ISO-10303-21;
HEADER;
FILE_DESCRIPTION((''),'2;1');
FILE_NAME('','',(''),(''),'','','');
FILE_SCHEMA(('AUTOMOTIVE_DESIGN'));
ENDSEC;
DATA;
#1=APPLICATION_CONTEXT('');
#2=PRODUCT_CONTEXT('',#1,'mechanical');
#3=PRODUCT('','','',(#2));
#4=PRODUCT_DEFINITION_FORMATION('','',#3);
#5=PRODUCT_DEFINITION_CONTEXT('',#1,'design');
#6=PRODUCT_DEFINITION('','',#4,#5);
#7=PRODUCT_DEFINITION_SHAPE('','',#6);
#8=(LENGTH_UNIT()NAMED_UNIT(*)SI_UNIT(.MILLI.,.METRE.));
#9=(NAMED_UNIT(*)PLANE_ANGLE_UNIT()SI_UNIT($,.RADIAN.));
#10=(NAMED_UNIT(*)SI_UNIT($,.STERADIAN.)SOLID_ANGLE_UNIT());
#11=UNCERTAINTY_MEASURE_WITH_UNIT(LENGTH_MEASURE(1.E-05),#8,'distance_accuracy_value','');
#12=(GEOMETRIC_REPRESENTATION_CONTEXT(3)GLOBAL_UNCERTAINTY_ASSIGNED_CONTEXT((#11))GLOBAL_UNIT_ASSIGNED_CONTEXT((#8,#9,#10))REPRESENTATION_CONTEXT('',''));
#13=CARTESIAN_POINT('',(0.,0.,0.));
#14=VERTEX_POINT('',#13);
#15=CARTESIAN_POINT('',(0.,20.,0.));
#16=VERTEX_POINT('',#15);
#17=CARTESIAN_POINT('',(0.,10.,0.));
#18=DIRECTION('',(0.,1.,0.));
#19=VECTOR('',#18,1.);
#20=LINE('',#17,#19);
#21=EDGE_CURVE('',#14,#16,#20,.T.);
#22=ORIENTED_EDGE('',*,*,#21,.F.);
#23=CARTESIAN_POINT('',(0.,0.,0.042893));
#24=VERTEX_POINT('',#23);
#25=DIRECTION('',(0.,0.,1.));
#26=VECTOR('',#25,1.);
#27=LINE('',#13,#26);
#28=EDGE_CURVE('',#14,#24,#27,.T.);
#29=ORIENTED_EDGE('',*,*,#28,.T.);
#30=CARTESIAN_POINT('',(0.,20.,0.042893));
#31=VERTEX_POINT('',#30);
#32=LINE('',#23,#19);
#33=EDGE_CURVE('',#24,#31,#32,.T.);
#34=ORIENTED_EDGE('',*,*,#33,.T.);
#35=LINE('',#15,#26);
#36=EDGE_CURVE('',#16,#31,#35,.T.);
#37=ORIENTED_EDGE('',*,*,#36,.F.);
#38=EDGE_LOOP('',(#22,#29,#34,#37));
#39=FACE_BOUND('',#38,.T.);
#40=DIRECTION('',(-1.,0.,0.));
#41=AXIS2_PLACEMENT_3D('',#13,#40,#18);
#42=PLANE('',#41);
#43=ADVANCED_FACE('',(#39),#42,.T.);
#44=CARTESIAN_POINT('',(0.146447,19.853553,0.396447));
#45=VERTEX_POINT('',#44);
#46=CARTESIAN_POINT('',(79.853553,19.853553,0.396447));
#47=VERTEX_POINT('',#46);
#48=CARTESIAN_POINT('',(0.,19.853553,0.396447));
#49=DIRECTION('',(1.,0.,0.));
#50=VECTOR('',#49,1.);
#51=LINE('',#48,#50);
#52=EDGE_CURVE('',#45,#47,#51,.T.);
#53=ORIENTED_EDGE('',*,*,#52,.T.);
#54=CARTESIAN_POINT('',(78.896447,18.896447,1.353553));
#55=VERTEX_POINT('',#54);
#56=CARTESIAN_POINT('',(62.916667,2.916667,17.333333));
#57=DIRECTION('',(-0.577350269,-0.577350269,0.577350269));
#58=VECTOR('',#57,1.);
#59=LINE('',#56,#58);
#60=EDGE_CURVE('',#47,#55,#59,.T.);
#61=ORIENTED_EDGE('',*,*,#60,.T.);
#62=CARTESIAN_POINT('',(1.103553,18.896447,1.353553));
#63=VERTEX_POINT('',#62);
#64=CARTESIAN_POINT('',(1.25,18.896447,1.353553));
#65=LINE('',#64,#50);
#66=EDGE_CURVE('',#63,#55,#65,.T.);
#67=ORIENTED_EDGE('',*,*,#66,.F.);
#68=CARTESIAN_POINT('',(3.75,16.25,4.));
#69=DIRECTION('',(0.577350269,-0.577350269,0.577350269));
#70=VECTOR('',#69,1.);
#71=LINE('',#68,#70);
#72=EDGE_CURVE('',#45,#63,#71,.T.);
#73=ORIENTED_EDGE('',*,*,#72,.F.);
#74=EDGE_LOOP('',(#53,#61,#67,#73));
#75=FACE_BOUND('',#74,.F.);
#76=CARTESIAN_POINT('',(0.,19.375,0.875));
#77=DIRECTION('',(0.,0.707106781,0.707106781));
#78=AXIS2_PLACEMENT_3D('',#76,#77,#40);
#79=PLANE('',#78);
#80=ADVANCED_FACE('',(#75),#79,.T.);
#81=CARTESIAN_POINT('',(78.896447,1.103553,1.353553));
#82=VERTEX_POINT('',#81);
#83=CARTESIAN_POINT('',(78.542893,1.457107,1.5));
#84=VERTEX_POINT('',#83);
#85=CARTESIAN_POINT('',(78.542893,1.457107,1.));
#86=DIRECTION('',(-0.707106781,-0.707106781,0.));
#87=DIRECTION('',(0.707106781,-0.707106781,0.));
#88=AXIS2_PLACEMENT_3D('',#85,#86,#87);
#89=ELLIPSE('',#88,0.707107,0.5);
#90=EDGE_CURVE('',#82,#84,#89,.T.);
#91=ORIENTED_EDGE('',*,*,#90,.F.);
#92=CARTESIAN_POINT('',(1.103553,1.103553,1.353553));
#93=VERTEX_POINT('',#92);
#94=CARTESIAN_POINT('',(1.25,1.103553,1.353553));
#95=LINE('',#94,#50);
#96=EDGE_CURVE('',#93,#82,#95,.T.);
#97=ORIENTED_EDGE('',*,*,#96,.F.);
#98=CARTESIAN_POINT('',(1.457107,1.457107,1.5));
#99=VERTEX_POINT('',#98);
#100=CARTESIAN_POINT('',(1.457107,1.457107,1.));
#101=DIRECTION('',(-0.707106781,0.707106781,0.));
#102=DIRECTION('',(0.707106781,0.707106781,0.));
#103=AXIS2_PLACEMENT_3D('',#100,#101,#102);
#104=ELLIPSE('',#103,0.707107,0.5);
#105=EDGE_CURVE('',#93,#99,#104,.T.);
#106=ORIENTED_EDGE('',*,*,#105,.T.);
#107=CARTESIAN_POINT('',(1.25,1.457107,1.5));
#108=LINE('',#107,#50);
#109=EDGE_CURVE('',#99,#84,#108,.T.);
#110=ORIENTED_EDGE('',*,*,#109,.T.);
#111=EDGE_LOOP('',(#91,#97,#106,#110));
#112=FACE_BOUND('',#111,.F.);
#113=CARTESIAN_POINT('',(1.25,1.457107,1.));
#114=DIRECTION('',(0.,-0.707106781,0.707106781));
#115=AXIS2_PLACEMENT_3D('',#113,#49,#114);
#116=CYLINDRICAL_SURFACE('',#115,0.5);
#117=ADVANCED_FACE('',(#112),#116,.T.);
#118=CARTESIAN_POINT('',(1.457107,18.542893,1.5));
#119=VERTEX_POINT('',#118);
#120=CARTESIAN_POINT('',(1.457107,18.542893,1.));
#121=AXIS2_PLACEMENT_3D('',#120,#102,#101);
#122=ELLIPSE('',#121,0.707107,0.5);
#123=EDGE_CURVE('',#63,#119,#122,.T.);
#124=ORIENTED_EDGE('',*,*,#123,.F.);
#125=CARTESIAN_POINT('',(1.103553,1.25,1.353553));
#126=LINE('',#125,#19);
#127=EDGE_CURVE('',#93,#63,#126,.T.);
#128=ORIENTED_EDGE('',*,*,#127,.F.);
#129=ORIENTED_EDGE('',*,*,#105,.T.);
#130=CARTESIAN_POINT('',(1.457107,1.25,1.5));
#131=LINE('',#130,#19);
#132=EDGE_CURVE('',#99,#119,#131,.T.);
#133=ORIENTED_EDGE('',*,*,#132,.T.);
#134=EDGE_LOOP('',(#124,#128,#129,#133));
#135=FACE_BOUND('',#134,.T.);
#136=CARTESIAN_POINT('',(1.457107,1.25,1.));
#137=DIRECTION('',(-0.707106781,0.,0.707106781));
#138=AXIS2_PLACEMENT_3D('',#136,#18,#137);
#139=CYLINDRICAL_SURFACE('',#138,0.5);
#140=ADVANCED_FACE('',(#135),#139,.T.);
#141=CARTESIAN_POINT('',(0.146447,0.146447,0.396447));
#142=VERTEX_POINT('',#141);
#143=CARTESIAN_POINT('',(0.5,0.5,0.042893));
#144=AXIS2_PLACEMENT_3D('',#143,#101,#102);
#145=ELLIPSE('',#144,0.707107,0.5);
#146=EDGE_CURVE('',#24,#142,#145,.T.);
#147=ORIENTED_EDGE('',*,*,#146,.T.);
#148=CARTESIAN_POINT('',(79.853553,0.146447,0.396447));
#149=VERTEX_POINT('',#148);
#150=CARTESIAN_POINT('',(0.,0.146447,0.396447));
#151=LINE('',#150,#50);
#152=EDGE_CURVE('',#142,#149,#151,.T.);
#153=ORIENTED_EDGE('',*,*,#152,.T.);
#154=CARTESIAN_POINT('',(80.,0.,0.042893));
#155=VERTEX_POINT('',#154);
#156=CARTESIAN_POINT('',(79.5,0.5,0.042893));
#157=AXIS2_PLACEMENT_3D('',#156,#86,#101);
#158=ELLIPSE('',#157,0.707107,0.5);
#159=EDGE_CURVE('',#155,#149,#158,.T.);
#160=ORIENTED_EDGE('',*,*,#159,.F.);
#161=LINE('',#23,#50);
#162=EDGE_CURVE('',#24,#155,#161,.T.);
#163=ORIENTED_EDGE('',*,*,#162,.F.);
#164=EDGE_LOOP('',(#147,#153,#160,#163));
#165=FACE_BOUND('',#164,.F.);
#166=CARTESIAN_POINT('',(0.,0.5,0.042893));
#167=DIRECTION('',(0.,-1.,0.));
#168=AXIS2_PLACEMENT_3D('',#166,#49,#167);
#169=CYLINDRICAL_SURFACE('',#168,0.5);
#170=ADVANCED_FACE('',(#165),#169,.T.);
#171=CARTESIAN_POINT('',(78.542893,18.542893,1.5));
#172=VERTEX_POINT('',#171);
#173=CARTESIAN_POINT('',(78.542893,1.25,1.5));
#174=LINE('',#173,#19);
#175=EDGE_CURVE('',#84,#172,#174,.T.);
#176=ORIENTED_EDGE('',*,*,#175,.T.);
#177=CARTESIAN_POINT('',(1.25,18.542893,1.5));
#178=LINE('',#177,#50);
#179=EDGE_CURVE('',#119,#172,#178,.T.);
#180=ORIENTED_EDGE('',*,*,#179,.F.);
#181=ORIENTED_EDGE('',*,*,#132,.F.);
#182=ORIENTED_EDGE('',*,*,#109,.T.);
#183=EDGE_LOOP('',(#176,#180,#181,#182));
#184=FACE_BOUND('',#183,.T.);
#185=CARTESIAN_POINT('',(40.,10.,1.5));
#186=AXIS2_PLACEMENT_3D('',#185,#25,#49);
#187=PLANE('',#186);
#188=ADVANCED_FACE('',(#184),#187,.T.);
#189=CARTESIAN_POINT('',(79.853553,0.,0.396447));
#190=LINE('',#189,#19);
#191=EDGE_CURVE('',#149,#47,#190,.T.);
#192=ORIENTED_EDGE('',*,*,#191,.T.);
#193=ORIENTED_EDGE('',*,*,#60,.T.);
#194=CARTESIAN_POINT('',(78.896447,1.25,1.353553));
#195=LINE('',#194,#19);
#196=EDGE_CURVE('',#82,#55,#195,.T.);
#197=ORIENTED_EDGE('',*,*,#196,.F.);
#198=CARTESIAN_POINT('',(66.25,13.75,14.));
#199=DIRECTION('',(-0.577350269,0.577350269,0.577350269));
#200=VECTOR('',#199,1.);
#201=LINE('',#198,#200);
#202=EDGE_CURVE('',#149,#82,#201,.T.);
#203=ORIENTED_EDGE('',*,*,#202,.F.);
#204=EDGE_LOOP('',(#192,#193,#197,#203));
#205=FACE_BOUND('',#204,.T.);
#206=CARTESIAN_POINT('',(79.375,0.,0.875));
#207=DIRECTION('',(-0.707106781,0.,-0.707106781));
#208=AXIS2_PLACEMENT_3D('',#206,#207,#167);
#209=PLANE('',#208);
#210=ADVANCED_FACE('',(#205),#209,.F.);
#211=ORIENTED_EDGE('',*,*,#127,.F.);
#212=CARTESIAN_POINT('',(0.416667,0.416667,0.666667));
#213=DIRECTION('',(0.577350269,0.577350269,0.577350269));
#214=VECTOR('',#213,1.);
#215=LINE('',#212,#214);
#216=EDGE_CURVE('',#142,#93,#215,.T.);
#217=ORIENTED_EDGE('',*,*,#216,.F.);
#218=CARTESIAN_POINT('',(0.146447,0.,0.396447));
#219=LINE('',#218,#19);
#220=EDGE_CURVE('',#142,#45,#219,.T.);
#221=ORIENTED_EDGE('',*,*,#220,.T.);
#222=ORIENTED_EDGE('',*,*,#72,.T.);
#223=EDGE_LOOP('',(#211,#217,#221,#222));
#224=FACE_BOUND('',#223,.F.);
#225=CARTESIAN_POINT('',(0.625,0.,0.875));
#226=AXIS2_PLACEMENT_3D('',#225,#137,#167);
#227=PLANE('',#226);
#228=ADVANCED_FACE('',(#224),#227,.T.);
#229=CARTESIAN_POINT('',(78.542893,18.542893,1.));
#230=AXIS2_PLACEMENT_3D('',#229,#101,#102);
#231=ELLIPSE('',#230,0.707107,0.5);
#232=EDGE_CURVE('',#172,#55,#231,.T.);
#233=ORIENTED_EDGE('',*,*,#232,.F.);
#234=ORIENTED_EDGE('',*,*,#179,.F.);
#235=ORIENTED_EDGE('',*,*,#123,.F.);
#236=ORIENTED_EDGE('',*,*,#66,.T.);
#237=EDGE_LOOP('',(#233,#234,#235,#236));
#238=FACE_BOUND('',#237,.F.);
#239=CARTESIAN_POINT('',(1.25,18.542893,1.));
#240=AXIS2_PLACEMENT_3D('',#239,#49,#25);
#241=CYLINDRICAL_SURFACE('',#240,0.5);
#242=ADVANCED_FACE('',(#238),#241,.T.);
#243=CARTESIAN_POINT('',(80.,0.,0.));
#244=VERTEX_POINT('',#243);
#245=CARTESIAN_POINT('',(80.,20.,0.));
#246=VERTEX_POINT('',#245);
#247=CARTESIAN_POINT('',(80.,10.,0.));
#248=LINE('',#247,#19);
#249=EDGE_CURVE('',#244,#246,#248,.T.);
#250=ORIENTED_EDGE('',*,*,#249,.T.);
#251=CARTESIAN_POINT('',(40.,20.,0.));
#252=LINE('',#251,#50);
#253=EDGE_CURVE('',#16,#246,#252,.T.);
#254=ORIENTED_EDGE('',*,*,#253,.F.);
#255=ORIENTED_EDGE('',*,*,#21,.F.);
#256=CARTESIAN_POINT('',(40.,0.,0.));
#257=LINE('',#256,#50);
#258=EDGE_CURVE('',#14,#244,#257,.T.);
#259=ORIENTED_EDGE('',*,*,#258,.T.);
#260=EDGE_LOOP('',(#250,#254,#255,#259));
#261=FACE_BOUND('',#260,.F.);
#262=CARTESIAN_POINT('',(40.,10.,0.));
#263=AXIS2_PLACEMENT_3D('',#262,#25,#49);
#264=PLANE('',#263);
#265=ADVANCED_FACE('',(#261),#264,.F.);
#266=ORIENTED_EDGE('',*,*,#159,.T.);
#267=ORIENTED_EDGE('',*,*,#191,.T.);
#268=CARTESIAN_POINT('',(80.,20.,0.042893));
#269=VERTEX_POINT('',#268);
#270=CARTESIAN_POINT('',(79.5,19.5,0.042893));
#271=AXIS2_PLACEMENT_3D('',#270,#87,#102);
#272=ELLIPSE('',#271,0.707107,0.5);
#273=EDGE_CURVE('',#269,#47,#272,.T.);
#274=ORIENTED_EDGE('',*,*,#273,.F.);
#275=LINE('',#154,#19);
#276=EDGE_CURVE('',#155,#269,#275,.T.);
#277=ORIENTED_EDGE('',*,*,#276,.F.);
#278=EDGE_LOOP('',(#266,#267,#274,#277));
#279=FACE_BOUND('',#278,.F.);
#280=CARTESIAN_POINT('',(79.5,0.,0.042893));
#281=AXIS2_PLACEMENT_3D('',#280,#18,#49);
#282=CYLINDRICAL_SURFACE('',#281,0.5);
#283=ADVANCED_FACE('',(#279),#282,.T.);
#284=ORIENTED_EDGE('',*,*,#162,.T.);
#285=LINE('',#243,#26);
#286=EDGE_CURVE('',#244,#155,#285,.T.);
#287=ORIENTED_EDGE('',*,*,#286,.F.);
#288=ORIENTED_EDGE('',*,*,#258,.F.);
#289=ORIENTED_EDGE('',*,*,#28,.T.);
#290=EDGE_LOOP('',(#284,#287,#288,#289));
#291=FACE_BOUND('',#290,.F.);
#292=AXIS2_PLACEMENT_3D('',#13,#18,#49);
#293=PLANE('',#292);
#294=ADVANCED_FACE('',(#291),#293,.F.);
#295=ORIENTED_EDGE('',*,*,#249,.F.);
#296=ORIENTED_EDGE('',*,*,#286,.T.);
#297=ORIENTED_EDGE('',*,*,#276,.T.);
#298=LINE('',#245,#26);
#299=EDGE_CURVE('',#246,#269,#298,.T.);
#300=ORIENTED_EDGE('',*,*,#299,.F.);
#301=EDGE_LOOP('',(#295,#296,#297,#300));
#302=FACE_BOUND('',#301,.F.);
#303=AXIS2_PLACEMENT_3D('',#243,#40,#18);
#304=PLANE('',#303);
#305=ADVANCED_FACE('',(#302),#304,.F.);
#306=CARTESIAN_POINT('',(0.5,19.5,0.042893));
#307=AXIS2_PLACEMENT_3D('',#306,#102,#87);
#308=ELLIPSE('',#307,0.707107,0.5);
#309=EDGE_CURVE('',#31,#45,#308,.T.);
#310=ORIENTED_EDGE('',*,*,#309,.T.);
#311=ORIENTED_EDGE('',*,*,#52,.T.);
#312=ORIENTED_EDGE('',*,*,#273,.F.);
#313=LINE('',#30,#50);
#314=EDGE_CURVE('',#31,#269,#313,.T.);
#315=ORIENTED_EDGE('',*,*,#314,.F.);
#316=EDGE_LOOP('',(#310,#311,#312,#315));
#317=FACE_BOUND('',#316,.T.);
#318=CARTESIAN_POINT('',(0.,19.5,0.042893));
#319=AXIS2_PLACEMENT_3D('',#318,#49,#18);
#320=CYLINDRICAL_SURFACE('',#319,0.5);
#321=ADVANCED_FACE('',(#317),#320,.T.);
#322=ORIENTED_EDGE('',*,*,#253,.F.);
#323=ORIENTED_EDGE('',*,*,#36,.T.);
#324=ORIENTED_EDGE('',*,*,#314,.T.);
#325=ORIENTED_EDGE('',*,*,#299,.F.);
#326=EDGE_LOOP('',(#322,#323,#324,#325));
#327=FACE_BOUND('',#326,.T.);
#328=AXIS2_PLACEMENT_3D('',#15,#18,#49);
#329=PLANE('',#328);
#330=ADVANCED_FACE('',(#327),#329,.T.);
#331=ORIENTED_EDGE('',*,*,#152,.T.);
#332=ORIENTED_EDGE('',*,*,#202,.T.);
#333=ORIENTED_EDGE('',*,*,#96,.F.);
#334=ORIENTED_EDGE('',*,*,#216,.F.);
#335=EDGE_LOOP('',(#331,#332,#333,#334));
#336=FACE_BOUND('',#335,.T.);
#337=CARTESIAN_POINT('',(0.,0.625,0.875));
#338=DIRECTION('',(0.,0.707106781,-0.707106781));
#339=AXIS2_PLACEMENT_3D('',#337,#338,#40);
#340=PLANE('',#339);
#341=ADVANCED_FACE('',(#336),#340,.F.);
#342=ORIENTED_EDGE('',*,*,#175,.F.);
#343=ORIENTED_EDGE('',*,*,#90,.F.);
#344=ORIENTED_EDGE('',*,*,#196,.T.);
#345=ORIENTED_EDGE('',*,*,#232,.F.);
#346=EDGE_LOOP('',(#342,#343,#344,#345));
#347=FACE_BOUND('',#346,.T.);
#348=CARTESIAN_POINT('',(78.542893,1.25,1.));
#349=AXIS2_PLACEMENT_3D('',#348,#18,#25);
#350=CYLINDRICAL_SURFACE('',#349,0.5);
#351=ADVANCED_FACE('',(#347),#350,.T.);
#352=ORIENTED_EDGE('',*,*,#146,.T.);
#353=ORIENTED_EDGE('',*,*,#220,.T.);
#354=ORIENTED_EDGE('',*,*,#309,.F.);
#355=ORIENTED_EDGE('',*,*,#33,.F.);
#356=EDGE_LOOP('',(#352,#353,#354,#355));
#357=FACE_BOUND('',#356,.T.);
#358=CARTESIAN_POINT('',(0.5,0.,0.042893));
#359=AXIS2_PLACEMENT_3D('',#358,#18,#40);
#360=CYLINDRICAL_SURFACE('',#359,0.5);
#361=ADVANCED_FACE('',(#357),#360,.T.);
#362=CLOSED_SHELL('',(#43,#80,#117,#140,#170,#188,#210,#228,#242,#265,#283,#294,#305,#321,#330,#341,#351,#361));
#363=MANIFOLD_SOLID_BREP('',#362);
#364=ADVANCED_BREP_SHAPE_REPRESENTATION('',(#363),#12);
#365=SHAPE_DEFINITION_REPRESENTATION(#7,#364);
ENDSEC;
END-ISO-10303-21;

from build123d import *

# Parameters (mm, degrees)
F0_W     = 80
F0_H     = 20
F1_DEPTH = 1.5
F2_SIZE  = 1.25
F3_R     = 0.5


with BuildPart() as f1:
    # F0 (on Top) → F1 (new body)
    with BuildSketch(Plane.XY):
        with Locations((40, 10)):
            Rectangle(F0_W, F0_H)
    extrude(amount=F1_DEPTH)

    # F2
    f2_edges = [f1.edges().sort_by_distance(p)[0] for p in [
        (0, 10, 1.5),
        (40, 0, 1.5),
        (80, 10, 1.5),
        (40, 20, 1.5),
    ]]
    chamfer(f2_edges, length=F2_SIZE)

    # F3
    f3_edges = [f1.edges().sort_by_distance(p)[0] for p in [
        (1.25, 10, 1.5),
        (40, 18.75, 1.5),
        (40, 1.25, 1.5),
        (78.75, 10, 1.5),
        (80, 10, 0.25),
        (40, 0, 0.25),
        (40, 20, 0.25),
        (0, 10, 0.25),
    ]]
    fillet(f3_edges, radius=F3_R)


solid = f1.part
